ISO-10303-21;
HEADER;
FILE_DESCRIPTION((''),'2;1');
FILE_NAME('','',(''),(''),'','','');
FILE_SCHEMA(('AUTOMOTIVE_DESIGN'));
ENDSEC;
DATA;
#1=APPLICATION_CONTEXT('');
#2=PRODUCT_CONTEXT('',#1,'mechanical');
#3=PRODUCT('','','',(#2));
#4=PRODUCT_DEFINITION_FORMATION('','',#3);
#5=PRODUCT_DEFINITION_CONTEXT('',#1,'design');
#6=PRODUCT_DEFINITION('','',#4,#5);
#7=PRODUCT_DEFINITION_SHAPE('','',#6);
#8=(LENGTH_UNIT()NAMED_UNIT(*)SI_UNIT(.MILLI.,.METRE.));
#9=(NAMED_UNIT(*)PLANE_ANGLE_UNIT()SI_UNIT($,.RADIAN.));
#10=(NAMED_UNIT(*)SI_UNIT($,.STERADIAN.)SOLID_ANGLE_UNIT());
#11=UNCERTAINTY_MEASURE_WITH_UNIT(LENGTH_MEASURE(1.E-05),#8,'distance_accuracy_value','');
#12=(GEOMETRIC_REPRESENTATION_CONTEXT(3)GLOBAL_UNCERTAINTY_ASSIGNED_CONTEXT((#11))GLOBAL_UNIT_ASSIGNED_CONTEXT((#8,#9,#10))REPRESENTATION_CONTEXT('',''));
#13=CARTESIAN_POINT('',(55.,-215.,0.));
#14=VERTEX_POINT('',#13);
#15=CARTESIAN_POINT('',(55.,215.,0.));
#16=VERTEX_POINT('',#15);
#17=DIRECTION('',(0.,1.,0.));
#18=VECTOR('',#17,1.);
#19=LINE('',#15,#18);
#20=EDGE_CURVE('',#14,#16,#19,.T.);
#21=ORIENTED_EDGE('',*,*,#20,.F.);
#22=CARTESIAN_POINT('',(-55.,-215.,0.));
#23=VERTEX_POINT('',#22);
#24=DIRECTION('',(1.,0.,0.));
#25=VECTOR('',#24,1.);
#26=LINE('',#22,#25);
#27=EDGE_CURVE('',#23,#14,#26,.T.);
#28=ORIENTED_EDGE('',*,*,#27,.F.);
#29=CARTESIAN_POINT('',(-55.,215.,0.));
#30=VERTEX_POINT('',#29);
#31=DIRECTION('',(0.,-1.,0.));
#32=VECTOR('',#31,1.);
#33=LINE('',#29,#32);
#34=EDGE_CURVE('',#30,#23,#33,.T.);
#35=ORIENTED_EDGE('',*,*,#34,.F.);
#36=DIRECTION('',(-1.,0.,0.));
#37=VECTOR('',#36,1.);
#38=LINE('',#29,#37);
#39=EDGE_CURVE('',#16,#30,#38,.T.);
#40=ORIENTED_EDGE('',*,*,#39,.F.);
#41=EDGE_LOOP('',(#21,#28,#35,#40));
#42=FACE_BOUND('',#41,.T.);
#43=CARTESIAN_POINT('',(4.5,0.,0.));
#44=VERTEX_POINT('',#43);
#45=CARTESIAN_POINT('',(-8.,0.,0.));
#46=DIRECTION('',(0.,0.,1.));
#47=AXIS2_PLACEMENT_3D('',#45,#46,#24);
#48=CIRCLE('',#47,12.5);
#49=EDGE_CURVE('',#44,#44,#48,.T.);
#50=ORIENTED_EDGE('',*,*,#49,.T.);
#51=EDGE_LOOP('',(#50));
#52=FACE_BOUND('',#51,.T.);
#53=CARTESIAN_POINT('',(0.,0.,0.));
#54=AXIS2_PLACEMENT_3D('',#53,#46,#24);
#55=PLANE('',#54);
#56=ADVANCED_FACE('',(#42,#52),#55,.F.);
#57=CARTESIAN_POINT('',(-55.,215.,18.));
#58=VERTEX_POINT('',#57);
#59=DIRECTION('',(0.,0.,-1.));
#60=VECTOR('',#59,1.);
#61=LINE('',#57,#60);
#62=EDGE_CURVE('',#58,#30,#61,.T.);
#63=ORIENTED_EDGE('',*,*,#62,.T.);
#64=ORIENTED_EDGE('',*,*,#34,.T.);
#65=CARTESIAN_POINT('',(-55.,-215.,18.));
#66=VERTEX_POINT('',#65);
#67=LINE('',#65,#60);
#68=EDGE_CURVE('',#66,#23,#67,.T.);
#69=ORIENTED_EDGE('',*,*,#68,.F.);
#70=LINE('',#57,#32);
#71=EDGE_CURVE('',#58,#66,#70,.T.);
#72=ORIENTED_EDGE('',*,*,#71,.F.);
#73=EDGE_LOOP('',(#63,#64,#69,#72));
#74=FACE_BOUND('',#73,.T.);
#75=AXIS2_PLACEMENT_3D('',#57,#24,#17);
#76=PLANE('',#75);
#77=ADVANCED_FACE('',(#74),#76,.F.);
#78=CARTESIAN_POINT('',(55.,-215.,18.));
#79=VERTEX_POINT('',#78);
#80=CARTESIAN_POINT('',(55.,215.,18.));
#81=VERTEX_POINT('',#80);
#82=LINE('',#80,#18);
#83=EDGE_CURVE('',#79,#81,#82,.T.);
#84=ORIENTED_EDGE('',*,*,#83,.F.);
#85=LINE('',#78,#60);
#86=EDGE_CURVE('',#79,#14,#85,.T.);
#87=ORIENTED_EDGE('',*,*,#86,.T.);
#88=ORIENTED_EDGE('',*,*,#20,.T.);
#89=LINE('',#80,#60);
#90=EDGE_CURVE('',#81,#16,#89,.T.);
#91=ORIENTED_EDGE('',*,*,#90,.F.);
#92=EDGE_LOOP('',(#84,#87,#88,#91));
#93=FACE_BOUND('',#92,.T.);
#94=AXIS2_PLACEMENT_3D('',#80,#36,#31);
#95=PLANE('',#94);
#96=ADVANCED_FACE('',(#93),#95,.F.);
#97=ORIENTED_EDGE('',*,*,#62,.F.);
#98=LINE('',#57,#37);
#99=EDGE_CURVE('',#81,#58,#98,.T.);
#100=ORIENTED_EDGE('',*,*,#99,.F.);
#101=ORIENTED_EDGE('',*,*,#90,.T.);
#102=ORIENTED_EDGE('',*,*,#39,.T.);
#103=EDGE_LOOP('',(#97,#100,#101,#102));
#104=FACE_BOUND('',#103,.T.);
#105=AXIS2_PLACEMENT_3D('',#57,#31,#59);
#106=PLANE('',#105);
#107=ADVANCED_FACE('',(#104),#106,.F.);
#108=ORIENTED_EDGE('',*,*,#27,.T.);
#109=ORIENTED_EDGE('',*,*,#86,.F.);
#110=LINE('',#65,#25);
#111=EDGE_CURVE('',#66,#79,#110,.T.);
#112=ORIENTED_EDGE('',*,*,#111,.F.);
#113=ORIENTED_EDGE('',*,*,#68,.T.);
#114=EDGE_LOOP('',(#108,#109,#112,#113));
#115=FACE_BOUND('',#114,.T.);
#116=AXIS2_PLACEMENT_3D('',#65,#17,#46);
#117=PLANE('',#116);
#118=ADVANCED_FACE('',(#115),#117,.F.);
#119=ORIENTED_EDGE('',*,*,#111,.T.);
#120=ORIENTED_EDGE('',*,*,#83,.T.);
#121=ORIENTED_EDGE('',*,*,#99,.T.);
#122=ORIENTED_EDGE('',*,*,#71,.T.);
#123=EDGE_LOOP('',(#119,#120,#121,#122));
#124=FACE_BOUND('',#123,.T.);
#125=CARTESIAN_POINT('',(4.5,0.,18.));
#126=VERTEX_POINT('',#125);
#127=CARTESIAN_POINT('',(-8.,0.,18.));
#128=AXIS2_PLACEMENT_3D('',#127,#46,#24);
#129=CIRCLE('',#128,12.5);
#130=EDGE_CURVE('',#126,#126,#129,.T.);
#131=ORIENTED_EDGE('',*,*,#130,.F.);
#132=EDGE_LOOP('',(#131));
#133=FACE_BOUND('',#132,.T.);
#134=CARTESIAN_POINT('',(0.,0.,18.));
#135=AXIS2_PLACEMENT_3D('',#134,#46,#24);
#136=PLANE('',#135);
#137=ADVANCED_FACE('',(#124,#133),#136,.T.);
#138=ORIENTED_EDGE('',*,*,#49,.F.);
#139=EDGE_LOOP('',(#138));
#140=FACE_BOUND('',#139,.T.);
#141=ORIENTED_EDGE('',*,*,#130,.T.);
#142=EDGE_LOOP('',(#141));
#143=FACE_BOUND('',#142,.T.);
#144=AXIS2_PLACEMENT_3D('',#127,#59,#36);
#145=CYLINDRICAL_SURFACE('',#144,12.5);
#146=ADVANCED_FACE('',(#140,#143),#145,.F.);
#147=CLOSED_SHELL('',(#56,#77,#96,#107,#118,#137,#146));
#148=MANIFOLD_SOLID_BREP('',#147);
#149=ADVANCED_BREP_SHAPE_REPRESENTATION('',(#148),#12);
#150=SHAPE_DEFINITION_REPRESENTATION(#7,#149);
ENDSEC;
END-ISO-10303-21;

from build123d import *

# Parameters (mm, degrees)
SKETCH1_W           = 110
SKETCH1_H           = 430
SKETCH1_R           = 12.5
BOSS_EXTRUDE1_DEPTH = 18


with BuildPart() as part:
    # Sketch1 → Boss-Extrude1 (new body)
    with BuildSketch(Plane.XY):
        Rectangle(SKETCH1_W, SKETCH1_H)
        with Locations((-8, 0)):
            Circle(SKETCH1_R, mode=Mode.SUBTRACT)
    extrude(amount=BOSS_EXTRUDE1_DEPTH)


solid = part.part
